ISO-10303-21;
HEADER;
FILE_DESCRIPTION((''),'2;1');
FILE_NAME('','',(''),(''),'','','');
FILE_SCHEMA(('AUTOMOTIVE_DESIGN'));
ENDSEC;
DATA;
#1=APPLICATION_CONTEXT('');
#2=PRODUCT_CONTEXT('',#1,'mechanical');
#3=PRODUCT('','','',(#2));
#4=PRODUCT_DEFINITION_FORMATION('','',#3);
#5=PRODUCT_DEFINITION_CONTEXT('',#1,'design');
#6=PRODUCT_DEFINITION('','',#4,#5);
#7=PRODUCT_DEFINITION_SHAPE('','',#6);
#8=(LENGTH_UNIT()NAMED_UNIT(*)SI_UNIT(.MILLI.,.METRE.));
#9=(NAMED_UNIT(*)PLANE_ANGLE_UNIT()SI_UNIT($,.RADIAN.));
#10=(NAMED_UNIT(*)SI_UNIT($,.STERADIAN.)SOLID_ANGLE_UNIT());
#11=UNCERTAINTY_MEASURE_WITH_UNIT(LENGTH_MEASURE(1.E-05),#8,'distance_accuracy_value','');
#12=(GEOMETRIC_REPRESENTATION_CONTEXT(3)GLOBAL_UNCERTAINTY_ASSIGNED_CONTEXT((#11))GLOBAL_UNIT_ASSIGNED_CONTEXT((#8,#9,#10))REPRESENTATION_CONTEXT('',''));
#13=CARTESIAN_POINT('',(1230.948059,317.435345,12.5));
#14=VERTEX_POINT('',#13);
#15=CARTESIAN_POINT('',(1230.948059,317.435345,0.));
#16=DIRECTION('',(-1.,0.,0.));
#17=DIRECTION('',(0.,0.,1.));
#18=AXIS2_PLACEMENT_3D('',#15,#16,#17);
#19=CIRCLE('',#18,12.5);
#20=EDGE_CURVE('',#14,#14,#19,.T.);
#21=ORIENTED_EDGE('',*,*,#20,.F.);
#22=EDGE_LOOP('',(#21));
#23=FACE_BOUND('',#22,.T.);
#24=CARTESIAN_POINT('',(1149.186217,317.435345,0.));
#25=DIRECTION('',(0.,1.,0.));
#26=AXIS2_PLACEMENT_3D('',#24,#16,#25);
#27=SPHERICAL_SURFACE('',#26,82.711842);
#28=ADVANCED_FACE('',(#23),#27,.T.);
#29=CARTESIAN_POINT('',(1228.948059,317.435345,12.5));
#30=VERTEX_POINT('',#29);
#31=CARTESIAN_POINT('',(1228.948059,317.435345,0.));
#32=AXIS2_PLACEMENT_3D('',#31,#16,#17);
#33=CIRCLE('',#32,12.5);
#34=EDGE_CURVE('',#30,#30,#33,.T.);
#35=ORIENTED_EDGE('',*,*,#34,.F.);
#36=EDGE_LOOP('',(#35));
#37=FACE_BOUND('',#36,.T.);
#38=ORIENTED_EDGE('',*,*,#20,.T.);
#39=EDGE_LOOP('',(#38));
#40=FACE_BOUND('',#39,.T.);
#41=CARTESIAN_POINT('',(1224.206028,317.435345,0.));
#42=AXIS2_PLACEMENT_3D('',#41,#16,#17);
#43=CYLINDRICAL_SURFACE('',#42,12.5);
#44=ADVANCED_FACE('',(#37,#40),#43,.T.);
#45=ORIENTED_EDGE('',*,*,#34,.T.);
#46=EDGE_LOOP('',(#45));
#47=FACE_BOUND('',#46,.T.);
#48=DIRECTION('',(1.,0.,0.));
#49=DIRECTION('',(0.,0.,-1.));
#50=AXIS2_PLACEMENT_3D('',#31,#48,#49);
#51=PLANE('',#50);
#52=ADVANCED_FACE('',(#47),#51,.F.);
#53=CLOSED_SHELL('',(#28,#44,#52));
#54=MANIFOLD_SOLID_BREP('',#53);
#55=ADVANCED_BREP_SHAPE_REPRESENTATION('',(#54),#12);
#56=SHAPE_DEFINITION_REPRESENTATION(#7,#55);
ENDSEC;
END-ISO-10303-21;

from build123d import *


with BuildPart() as part:
    # 草图1 → 旋转1 (revolve)
    with BuildSketch(Plane.XY):
        with BuildLine():
            Line((1228.948058844, 317.435345417), (1228.948058844, 329.935345417))
            Line((1228.948058844, 329.935345417), (1230.948058844, 329.935345417))
            ThreePointArc((1230.948058844, 329.935345417), (1231.660216881, 323.703369428), (1231.898058844, 317.435345417))
            Line((1231.898058844, 317.435345417), (1228.948058844, 317.435345417))
        make_face()
    revolve(axis=Axis((1224.206027602, 317.435345417, 0), (1, 0, 0)))


solid = part.part
